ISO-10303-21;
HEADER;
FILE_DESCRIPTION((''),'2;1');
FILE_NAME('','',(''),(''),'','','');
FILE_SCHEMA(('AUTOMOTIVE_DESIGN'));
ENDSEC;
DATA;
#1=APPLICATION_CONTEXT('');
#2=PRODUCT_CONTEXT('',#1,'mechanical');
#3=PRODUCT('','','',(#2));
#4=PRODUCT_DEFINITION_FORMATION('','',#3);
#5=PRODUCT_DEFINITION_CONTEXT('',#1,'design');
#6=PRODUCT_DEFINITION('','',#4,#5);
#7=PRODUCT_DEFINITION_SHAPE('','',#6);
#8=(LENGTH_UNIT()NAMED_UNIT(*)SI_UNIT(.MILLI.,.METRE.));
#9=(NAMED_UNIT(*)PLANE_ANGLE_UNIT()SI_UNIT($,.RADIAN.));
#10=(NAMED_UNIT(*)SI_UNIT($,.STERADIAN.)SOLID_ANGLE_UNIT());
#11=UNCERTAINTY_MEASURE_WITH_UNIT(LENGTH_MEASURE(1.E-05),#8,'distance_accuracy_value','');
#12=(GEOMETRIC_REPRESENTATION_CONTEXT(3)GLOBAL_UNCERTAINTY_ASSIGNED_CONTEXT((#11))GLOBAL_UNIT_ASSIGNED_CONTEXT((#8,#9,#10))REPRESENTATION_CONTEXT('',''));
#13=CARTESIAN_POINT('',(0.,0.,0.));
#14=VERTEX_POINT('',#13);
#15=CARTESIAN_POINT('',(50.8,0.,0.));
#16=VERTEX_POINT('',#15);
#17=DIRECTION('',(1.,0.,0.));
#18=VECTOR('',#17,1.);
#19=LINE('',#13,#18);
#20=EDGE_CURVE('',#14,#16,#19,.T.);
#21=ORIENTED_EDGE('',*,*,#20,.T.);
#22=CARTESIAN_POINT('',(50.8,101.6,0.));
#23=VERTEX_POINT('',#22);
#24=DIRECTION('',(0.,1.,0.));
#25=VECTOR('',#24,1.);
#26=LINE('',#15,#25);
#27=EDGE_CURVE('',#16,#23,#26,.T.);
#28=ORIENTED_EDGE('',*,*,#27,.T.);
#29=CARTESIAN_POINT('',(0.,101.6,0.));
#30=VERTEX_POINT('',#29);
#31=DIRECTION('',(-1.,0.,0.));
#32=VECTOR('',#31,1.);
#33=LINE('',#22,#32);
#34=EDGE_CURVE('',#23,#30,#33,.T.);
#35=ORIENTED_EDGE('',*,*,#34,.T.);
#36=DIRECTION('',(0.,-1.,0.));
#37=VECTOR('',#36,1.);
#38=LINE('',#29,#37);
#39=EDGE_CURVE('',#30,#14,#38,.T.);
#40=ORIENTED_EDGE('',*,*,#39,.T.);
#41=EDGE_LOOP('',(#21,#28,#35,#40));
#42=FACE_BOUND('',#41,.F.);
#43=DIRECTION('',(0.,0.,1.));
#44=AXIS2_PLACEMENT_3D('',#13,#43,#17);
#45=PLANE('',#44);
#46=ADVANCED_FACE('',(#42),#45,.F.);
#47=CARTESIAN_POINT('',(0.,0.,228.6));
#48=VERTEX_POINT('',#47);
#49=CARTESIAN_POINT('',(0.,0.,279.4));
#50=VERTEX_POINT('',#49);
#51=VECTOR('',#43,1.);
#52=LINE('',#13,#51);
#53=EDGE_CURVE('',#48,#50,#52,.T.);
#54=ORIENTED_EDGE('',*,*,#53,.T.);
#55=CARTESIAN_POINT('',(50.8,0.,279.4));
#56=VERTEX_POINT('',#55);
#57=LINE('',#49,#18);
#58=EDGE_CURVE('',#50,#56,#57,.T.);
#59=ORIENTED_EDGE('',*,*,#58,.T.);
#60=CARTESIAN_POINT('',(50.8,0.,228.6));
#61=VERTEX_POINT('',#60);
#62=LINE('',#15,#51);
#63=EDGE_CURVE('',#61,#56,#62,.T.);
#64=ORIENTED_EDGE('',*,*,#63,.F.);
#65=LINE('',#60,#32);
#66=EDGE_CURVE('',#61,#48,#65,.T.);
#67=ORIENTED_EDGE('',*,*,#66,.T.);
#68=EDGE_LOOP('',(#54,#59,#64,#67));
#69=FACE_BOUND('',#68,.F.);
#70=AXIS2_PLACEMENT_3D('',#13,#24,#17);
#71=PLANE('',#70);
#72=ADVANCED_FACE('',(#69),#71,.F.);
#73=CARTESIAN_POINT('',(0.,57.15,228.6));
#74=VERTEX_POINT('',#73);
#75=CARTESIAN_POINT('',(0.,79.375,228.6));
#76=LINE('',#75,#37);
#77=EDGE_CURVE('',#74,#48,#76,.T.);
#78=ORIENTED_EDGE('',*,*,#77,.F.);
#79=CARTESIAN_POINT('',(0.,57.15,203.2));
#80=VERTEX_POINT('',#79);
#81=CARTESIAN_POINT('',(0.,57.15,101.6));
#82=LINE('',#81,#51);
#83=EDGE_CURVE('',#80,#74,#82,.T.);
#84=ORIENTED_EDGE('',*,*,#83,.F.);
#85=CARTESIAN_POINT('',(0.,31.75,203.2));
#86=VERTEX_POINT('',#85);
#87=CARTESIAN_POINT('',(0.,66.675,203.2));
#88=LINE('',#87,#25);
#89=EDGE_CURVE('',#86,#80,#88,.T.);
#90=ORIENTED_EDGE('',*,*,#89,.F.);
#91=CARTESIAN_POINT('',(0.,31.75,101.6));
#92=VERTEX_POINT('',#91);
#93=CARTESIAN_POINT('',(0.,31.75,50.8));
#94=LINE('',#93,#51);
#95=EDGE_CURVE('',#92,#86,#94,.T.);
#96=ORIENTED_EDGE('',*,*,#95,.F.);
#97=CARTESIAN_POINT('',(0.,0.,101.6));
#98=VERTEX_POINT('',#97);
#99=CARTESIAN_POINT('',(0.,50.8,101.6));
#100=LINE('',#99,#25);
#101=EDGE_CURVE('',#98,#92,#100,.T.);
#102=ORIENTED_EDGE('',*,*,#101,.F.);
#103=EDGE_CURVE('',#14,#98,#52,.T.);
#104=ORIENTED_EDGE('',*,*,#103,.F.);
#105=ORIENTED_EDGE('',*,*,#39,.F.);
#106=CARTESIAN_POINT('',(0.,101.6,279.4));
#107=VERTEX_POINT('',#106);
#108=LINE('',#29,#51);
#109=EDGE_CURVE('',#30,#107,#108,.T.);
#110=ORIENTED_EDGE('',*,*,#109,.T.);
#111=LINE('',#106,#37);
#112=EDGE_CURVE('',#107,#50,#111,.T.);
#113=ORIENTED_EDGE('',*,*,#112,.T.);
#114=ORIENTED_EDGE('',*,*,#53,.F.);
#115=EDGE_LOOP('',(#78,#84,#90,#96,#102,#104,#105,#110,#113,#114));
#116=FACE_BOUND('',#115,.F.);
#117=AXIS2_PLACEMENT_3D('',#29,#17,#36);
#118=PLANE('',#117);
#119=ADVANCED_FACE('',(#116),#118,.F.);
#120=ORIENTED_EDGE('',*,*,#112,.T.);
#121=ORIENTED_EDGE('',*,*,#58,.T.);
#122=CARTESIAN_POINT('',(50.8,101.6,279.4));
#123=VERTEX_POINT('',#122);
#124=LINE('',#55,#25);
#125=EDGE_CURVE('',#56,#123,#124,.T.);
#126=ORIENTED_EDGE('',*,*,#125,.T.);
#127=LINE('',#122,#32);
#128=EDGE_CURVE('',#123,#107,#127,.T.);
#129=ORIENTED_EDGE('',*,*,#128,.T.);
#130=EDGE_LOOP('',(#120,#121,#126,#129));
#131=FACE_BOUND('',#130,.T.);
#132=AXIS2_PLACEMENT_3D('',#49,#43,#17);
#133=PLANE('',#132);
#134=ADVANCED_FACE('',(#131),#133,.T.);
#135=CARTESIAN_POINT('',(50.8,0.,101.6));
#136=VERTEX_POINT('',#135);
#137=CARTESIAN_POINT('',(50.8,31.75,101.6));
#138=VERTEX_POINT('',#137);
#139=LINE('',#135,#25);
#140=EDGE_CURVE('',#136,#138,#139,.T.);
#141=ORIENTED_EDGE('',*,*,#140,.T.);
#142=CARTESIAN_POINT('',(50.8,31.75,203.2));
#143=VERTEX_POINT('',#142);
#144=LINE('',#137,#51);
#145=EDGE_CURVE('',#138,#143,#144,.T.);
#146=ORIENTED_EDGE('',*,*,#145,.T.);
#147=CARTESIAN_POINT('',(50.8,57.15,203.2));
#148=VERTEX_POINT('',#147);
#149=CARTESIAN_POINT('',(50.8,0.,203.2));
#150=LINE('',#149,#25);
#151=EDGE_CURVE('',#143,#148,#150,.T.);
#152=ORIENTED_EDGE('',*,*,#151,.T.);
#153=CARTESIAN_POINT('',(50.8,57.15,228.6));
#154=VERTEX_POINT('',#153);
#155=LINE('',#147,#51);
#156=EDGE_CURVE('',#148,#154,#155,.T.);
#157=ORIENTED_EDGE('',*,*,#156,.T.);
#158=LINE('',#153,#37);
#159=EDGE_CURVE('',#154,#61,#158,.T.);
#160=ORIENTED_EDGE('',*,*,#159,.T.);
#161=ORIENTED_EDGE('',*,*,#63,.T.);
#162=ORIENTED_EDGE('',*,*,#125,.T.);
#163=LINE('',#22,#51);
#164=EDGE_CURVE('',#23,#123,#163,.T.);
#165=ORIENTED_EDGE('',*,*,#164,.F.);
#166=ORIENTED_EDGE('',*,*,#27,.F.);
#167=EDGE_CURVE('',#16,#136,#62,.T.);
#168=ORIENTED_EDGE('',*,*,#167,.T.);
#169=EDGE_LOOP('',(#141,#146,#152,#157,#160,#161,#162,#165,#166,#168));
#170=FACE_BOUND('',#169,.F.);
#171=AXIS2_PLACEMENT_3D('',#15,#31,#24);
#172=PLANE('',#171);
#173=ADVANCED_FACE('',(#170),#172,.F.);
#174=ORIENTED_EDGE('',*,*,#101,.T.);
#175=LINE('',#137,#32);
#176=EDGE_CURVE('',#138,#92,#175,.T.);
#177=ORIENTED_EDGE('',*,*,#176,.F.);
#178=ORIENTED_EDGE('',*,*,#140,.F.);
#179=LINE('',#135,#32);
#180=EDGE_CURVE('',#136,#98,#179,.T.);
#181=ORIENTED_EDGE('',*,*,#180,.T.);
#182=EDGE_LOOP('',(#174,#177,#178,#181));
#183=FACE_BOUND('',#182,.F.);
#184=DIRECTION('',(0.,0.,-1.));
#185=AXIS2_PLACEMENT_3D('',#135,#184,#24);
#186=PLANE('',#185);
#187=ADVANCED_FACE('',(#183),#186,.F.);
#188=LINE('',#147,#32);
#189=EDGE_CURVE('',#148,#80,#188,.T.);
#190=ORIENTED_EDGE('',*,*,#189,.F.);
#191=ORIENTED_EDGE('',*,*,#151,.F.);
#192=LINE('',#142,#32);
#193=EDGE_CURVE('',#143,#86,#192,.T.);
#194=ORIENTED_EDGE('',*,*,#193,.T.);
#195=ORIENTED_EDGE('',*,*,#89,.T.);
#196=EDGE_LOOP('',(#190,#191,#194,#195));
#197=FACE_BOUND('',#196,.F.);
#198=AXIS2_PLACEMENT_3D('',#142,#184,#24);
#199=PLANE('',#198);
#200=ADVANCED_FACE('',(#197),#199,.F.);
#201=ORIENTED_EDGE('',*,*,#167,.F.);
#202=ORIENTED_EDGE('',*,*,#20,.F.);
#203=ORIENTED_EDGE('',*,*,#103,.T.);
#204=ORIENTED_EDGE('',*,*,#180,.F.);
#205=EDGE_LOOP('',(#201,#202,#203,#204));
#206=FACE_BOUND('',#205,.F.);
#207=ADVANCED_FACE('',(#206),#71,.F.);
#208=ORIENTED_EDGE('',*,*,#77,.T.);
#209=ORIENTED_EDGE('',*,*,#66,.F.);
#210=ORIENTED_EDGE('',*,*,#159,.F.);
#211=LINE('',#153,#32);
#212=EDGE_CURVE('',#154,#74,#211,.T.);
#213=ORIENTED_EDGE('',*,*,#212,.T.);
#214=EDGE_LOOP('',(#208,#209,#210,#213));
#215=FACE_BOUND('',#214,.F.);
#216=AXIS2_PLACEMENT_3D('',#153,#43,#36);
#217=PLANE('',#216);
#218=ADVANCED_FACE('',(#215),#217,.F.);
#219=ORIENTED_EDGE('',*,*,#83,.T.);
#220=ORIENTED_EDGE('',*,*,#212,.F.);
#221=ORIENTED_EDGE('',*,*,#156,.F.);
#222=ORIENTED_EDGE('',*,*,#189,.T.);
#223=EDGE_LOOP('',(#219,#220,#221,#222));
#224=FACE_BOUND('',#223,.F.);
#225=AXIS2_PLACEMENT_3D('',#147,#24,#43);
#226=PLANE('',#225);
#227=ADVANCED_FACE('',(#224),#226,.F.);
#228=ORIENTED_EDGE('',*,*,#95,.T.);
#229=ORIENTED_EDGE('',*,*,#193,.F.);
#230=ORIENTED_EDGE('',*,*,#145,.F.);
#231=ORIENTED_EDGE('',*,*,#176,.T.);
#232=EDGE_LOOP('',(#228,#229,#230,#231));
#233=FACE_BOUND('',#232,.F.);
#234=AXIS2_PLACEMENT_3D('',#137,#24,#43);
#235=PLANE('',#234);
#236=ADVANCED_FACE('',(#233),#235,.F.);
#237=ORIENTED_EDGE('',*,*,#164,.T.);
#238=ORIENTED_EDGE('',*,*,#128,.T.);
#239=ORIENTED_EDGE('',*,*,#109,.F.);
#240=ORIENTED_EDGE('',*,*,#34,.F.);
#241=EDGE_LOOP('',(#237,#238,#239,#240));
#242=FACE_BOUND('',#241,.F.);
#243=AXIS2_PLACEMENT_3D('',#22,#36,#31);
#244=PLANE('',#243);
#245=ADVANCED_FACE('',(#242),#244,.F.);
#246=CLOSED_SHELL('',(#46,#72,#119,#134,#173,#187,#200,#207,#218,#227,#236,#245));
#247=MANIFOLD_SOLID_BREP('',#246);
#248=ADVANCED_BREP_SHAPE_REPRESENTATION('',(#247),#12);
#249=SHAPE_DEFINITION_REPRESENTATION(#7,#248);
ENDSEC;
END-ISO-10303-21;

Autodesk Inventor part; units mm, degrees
ref_plane "YZ Plane" through (0, 0, 0) normal (1, 0, 0) x (0, 1, 0)
ref_plane "XZ Plane" through (0, 0, 0) normal (0, 1, 0) x (-1, 0, 0)
ref_plane "XY Plane" through (0, 0, 0) normal (0, 0, 1) x (1, 0, 0)
sketch "Sketch1" plane through (0, 0, 0) normal (0, 0, 1) x (1, 0, 0)
  line L0 (0, 0) -> (50.8, 0)
  line L1 (50.8, 0) -> (50.8, 101.6)
  line L2 (50.8, 101.6) -> (0, 101.6)
  line L3 (0, 101.6) -> (0, 0)
  dimension "d0" = 50.8
  dimension "d1" = 101.6
extrude "Extrusion1" add sketch "Sketch1" along normal blind 279.4
sketch "Sketch2" plane through (50.8, 0, 0) normal (1, 0, 0) x (0, 0, -1)
  line L0 (0, 0) -> (-279.4, 0) projected
  line L1 (-228.6, 0) -> (-203.2, 0)
  line L2 (-203.2, 0) -> (-203.2, 57.15)
  line L3 (-203.2, 57.15) -> (-228.6, 57.15)
  line L4 (-228.6, 57.15) -> (-228.6, 0)
  line L5 (-279.4, 0) -> (-279.4, 101.6) projected
  line L6 (-203.2, 0) -> (-101.6, 0)
  line L7 (-101.6, 0) -> (-101.6, 31.75)
  line L8 (-101.6, 31.75) -> (-203.2, 31.75)
  line L9 (-203.2, 31.75) -> (-203.2, 0)
  dimension "d4" = 25.4
  dimension "d5" = 57.15
  dimension "d6" = 50.8
  dimension "d7" = 101.6
  dimension "d8" = 31.75
extrude "Extrusion2" cut sketch "Sketch2" against normal blind 279.4
properties part number "SmallSideHook"
